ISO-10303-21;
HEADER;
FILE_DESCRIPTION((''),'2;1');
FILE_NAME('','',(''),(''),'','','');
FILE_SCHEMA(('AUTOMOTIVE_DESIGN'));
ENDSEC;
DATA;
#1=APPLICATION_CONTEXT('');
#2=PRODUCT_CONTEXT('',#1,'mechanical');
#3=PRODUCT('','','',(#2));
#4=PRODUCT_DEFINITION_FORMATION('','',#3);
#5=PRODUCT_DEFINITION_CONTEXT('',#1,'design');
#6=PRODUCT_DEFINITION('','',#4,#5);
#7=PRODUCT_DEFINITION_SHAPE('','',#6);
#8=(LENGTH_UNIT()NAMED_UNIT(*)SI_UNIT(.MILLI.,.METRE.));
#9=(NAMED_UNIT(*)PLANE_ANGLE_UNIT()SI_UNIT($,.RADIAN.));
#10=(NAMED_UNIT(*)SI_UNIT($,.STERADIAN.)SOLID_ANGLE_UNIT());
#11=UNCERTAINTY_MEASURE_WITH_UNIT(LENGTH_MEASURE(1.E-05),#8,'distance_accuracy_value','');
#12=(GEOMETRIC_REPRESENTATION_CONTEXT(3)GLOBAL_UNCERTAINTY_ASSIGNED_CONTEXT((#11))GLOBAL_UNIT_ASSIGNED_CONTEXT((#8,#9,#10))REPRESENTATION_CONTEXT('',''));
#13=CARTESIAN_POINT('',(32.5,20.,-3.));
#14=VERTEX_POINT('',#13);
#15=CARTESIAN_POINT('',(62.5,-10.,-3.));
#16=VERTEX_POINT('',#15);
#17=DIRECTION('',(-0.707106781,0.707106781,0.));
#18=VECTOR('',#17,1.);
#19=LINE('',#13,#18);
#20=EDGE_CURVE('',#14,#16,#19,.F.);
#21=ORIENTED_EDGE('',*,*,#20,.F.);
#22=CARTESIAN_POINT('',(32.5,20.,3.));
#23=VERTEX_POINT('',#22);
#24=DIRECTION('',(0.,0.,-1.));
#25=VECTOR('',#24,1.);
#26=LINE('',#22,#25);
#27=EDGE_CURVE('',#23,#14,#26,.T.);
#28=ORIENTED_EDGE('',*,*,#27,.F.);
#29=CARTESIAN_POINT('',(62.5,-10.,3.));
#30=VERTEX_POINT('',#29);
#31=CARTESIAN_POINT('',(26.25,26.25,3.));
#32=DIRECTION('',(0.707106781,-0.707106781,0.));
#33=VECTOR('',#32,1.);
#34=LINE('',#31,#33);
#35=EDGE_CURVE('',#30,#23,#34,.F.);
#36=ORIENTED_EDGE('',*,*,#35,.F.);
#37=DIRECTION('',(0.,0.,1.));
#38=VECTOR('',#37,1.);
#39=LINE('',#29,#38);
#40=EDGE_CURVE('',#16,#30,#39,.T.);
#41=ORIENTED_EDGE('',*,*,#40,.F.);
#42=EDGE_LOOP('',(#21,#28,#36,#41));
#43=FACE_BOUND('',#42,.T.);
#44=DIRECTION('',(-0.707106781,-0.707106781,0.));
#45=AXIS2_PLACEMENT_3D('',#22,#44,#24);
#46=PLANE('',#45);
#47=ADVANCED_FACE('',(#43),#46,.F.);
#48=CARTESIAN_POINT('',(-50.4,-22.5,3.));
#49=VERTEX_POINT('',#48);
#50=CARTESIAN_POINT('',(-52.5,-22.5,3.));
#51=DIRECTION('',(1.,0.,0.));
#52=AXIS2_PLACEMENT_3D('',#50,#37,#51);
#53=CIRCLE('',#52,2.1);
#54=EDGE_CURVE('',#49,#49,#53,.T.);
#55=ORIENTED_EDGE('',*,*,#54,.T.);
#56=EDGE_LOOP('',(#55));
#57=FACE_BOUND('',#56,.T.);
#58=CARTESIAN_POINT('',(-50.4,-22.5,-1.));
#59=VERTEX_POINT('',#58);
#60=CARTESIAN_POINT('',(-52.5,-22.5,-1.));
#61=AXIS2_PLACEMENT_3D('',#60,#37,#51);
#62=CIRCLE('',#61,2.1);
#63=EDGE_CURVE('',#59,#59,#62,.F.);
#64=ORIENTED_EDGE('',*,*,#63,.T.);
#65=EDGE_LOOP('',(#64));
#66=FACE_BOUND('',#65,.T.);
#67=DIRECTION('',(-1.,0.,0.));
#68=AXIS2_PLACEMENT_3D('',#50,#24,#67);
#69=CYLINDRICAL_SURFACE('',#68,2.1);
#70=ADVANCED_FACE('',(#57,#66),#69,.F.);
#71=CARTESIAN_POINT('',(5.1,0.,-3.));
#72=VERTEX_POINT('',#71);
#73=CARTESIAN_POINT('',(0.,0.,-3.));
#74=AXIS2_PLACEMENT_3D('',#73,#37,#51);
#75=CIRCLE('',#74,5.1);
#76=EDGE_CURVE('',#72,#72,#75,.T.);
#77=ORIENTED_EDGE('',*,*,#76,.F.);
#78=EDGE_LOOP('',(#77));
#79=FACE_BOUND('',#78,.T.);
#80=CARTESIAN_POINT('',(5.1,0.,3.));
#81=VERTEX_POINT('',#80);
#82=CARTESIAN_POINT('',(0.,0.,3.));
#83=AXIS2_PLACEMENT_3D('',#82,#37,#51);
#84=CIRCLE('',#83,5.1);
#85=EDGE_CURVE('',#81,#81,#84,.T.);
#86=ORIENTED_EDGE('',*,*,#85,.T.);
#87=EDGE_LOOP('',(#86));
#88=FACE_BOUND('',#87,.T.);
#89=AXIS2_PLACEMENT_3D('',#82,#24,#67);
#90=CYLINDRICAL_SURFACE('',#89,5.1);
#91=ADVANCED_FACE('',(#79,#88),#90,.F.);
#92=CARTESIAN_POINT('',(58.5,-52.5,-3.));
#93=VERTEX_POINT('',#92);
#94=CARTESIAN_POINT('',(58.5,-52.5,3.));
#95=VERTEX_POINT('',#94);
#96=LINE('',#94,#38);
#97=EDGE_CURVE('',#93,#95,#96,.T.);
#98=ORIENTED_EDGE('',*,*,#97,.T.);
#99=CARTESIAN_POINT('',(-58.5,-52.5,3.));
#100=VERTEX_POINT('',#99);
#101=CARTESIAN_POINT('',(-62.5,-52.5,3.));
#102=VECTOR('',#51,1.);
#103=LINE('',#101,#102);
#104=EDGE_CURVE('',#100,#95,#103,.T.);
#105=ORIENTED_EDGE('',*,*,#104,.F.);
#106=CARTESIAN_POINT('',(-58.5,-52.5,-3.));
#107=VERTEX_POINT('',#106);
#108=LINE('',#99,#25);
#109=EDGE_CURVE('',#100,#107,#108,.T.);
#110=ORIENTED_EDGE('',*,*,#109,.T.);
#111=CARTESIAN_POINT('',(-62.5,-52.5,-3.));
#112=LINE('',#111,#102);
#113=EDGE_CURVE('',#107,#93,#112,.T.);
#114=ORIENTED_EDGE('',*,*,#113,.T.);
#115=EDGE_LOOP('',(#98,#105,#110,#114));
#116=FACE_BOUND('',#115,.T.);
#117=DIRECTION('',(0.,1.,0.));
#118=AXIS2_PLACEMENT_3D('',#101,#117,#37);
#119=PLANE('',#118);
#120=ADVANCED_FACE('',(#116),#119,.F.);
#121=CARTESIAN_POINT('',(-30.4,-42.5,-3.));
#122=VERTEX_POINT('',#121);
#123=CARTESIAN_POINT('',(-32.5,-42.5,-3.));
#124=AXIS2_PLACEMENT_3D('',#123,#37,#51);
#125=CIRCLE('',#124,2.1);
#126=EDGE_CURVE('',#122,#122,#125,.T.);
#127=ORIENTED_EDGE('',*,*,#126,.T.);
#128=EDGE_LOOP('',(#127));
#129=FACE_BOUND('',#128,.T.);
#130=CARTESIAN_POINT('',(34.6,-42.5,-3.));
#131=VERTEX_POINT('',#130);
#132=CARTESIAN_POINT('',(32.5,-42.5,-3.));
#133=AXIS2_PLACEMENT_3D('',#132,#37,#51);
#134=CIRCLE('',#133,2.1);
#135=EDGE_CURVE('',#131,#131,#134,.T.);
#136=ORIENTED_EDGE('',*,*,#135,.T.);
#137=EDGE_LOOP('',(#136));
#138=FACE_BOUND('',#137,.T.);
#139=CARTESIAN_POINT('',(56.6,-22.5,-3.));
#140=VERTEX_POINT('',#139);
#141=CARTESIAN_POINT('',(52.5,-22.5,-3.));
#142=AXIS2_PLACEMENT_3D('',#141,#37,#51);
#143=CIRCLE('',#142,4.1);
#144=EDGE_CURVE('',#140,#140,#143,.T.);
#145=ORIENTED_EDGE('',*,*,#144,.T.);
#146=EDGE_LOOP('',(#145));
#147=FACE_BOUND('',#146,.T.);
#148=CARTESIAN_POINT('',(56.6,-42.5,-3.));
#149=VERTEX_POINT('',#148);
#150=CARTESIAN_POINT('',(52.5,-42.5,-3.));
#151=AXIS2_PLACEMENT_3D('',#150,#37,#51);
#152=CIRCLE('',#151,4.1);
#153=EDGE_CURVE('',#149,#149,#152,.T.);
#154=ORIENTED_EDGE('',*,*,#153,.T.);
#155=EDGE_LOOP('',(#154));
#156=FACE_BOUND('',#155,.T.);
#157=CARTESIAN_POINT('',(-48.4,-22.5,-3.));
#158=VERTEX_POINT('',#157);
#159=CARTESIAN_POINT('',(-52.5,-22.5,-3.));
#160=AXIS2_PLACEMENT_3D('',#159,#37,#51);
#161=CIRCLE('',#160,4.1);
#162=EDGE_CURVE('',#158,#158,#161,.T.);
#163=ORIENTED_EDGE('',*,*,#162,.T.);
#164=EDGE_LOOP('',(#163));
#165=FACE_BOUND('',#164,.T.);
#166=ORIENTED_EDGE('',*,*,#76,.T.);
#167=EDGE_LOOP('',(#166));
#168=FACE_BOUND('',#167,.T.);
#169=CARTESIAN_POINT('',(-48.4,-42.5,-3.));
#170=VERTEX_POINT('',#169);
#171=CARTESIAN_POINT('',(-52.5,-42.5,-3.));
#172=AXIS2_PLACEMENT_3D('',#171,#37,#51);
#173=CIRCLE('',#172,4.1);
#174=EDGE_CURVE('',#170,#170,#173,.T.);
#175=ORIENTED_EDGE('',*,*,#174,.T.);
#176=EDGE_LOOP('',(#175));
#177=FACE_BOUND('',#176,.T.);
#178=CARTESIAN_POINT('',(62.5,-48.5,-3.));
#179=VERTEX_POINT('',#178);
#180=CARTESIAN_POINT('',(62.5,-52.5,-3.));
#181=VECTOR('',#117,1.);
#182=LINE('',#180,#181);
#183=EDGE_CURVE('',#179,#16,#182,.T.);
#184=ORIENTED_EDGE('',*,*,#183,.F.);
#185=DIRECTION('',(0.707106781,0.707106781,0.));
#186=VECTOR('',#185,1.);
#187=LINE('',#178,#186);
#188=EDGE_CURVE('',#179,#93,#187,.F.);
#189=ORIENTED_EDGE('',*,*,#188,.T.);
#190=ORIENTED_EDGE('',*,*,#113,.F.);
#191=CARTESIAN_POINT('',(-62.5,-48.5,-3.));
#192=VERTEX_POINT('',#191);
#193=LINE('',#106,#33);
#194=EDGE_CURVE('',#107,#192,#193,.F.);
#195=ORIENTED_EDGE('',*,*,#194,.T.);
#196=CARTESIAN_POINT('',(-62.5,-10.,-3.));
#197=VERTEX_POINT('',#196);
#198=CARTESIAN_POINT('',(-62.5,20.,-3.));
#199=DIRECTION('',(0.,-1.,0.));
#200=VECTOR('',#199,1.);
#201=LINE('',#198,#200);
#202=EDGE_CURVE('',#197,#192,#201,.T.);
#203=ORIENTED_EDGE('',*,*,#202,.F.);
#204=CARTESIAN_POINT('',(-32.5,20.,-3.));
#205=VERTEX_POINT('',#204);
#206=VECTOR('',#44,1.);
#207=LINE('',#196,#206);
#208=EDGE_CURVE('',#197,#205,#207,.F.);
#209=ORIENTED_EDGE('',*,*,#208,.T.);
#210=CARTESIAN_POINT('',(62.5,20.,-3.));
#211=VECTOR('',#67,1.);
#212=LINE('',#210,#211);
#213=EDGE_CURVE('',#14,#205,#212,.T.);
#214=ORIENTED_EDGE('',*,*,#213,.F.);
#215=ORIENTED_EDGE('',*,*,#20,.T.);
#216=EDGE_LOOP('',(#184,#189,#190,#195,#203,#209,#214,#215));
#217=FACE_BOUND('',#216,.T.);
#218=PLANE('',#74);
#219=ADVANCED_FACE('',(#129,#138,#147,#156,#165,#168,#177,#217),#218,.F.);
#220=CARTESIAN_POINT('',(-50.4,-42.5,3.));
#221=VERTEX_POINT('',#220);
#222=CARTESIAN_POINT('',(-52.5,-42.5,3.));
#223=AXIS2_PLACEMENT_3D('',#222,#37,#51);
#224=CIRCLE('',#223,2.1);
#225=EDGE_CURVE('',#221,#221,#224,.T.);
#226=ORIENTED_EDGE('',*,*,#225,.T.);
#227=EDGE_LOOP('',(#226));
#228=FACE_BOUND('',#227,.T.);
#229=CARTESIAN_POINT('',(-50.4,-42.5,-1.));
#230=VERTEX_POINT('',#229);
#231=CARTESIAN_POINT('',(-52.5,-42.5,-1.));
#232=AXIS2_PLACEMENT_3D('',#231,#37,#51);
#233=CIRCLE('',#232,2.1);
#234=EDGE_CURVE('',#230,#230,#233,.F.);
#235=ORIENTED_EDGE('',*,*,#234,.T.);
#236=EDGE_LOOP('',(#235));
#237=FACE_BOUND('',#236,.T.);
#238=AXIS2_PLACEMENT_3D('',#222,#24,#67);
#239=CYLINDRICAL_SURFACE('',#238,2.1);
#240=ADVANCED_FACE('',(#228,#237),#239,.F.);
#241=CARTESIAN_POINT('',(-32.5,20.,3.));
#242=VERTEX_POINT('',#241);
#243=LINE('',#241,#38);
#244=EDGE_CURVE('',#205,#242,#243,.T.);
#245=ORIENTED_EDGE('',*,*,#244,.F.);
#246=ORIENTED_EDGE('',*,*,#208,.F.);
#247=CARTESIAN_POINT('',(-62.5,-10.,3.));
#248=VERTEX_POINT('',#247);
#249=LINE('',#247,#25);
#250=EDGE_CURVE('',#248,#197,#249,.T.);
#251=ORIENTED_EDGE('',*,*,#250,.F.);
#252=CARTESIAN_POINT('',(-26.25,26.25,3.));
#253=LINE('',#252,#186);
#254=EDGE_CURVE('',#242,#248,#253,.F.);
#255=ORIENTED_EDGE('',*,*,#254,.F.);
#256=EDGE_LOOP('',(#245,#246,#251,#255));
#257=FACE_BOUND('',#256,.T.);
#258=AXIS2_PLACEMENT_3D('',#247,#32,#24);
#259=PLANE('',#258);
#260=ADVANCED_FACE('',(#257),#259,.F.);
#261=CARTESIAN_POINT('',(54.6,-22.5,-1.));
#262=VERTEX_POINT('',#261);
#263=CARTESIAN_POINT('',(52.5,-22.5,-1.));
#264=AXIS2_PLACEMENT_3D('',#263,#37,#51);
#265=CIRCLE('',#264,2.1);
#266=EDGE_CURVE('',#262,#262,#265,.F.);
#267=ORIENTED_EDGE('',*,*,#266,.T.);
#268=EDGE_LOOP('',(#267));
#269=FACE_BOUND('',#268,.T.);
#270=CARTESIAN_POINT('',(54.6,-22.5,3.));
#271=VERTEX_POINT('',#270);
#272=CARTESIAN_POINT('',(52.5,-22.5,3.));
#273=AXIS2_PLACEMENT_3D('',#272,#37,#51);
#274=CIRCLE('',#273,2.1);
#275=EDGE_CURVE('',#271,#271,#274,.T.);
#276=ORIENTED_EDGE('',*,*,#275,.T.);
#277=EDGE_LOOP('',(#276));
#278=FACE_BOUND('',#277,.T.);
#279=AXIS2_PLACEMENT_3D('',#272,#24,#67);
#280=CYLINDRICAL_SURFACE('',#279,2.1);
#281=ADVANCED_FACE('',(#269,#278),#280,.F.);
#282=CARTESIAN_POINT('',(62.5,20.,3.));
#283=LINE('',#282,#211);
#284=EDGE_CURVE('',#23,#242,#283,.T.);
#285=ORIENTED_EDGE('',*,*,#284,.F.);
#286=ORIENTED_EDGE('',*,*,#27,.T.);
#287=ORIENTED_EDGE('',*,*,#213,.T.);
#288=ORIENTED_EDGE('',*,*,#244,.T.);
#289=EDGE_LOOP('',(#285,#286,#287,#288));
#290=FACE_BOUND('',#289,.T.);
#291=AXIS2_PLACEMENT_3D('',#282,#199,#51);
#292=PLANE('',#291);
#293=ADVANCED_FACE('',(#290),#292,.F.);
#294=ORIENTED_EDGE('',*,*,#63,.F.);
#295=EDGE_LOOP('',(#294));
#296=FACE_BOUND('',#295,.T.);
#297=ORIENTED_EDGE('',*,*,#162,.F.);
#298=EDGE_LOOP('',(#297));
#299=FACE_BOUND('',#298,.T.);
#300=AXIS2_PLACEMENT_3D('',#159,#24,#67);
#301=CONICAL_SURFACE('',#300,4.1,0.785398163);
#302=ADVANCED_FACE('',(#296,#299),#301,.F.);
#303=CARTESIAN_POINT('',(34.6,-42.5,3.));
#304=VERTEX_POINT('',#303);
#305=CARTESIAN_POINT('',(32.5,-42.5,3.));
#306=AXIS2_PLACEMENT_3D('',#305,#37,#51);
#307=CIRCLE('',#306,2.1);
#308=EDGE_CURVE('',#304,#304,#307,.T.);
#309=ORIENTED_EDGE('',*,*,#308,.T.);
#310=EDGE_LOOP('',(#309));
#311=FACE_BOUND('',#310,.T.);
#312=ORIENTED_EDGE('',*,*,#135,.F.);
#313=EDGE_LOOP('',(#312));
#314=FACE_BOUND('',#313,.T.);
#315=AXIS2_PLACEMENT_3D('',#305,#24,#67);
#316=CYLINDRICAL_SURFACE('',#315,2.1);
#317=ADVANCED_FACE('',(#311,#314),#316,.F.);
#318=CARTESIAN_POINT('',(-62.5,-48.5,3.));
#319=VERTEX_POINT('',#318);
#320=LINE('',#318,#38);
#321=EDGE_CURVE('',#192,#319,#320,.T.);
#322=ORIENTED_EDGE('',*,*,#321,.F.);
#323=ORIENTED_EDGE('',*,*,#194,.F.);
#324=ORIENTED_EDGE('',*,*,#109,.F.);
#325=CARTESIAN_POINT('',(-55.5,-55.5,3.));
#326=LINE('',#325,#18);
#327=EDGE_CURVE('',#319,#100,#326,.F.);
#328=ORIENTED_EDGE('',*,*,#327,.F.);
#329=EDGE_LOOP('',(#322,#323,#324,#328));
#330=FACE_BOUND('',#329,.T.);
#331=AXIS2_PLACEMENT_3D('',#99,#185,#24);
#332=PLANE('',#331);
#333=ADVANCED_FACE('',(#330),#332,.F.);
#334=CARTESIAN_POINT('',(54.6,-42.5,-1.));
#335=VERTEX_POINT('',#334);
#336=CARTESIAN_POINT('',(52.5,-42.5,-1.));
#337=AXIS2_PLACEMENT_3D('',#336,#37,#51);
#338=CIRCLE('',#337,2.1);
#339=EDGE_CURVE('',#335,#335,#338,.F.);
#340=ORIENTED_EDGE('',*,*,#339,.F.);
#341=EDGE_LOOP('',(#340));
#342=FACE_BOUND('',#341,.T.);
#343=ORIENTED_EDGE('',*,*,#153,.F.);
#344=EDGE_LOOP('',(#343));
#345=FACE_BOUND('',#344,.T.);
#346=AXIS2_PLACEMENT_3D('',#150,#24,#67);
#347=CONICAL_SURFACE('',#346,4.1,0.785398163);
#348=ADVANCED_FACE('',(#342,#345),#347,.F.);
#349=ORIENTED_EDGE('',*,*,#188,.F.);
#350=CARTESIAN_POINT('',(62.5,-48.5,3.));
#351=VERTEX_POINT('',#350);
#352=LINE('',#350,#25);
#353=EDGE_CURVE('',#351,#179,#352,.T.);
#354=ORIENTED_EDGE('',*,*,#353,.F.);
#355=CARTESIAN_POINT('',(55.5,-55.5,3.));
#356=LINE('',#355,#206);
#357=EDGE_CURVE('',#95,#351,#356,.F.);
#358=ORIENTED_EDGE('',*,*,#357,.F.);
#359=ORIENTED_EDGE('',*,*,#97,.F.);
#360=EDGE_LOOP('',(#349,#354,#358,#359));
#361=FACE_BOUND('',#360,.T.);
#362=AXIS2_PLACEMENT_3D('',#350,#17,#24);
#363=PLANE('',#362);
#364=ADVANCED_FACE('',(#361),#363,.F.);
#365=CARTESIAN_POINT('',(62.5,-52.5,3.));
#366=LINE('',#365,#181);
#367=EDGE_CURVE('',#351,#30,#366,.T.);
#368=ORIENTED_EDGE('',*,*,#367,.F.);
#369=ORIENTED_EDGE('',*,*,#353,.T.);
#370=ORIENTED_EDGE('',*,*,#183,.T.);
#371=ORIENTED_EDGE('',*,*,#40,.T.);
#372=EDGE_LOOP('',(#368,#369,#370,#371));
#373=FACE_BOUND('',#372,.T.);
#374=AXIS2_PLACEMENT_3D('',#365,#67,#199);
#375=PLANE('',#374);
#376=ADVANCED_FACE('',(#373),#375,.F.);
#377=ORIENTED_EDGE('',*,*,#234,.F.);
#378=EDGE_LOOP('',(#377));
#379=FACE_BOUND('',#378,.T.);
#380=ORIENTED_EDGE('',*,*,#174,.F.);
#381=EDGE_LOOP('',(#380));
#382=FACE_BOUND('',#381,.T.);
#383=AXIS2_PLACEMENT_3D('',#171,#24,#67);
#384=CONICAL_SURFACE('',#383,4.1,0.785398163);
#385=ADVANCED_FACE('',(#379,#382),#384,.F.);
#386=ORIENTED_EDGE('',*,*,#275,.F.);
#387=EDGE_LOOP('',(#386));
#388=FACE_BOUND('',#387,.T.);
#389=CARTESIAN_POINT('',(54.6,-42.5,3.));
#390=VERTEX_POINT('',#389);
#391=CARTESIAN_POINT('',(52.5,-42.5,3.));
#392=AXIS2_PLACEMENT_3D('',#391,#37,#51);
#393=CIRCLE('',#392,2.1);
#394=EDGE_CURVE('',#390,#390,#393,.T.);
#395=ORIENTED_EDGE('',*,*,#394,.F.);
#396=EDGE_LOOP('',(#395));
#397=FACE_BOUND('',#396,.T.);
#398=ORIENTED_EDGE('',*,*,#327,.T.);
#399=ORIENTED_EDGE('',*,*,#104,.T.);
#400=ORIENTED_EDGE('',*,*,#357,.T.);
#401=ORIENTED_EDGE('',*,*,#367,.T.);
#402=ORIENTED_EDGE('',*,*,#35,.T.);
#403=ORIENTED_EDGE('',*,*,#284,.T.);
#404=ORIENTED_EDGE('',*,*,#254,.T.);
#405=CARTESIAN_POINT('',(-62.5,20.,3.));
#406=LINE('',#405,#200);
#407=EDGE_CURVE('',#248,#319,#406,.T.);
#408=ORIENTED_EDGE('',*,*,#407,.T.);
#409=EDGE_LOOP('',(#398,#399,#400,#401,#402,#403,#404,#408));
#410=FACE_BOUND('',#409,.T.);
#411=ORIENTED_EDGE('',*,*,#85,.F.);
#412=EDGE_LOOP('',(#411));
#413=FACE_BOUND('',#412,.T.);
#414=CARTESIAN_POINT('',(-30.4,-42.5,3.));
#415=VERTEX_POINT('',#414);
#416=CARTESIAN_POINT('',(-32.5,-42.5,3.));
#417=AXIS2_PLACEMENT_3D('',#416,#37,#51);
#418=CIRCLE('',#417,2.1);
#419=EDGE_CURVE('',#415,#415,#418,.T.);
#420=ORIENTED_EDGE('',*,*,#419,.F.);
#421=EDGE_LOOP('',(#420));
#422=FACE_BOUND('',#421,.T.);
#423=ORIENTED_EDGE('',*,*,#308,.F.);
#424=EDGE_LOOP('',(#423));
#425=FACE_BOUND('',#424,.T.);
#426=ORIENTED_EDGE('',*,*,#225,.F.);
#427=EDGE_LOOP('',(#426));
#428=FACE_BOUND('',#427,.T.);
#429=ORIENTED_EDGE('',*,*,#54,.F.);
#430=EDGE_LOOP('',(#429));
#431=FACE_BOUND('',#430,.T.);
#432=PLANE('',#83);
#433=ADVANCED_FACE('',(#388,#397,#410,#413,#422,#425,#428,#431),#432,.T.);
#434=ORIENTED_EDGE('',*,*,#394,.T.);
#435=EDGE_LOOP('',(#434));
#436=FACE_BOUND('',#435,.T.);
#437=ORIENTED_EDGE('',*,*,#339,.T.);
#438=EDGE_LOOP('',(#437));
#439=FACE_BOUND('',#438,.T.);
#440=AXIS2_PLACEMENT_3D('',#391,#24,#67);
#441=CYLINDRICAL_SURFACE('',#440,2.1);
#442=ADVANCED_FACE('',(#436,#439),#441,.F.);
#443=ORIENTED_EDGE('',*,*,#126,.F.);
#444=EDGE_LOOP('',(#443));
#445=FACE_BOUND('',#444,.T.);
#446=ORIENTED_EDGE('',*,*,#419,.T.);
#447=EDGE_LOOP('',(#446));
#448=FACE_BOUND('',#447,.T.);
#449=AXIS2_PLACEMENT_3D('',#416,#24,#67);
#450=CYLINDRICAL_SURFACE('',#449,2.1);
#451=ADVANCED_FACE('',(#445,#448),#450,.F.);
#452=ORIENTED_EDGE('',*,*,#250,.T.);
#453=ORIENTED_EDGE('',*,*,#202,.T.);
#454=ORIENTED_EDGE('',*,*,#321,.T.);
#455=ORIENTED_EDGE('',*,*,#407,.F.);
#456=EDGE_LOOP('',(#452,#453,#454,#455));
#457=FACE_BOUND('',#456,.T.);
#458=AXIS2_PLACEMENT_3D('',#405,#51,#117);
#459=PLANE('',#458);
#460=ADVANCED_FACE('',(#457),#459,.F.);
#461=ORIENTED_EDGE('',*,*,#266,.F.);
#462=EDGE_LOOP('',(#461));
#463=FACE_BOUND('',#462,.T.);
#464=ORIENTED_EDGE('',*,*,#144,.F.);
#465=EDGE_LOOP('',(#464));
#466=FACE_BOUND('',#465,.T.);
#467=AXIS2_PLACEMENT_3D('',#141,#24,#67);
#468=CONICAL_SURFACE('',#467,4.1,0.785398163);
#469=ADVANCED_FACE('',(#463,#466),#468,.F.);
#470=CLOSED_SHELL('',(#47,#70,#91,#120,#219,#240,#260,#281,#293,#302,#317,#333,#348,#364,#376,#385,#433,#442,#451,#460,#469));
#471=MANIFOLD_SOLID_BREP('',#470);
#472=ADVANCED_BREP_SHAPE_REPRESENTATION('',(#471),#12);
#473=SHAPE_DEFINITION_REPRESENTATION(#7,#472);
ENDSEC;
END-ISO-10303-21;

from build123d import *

# Parameters (mm, degrees)
SKETCH_1_W      = 125
SKETCH_1_H      = 72.5
SKETCH_1_R      = 5.1
SKETCH_1_R_2    = 2.1
EXTRUDE_1_DEPTH = 3
CHAMFER_1_SIZE  = 30
CHAMFER_2_SIZE  = 4
CHAMFER_3_SIZE  = 2


with BuildPart() as part:
    # 草图1 → 凸台-拉伸1 (new, symmetric)
    with BuildSketch(Plane.XY):
        with Locations((0, -16.25)):
            Rectangle(SKETCH_1_W, SKETCH_1_H)
        Circle(SKETCH_1_R, mode=Mode.SUBTRACT)
        with Locations((-32.5, -42.5)):
            Circle(SKETCH_1_R_2, mode=Mode.SUBTRACT)
        with Locations((32.5, -42.5)):
            Circle(SKETCH_1_R_2, mode=Mode.SUBTRACT)
        with Locations((-52.5, -42.5)):
            Circle(SKETCH_1_R_2, mode=Mode.SUBTRACT)
        with Locations((52.5, -42.5)):
            Circle(SKETCH_1_R_2, mode=Mode.SUBTRACT)
        with Locations((-52.5, -22.5)):
            Circle(SKETCH_1_R_2, mode=Mode.SUBTRACT)
        with Locations((52.5, -22.5)):
            Circle(SKETCH_1_R_2, mode=Mode.SUBTRACT)
    extrude(amount=EXTRUDE_1_DEPTH, both=True)

    # 倒角1
    chamfer_1_edges = [part.edges().sort_by_distance(p)[0] for p in [
        (62.5, 20, 0),
        (-62.5, 20, 0),
    ]]
    chamfer(chamfer_1_edges, length=CHAMFER_1_SIZE)

    # 倒角2
    chamfer_2_edges = [part.edges().sort_by_distance(p)[0] for p in [
        (62.5, -52.5, 0),
        (-62.5, -52.5, 0),
    ]]
    chamfer(chamfer_2_edges, length=CHAMFER_2_SIZE)

    # 倒角3
    chamfer_3_edges = [part.edges().sort_by_distance(p)[0] for p in [
        (-54.6, -42.5, -3),
        (50.4, -42.5, -3),
        (-54.6, -22.5, -3),
        (50.4, -22.5, -3),
    ]]
    chamfer(chamfer_3_edges, length=CHAMFER_3_SIZE)


solid = part.part
